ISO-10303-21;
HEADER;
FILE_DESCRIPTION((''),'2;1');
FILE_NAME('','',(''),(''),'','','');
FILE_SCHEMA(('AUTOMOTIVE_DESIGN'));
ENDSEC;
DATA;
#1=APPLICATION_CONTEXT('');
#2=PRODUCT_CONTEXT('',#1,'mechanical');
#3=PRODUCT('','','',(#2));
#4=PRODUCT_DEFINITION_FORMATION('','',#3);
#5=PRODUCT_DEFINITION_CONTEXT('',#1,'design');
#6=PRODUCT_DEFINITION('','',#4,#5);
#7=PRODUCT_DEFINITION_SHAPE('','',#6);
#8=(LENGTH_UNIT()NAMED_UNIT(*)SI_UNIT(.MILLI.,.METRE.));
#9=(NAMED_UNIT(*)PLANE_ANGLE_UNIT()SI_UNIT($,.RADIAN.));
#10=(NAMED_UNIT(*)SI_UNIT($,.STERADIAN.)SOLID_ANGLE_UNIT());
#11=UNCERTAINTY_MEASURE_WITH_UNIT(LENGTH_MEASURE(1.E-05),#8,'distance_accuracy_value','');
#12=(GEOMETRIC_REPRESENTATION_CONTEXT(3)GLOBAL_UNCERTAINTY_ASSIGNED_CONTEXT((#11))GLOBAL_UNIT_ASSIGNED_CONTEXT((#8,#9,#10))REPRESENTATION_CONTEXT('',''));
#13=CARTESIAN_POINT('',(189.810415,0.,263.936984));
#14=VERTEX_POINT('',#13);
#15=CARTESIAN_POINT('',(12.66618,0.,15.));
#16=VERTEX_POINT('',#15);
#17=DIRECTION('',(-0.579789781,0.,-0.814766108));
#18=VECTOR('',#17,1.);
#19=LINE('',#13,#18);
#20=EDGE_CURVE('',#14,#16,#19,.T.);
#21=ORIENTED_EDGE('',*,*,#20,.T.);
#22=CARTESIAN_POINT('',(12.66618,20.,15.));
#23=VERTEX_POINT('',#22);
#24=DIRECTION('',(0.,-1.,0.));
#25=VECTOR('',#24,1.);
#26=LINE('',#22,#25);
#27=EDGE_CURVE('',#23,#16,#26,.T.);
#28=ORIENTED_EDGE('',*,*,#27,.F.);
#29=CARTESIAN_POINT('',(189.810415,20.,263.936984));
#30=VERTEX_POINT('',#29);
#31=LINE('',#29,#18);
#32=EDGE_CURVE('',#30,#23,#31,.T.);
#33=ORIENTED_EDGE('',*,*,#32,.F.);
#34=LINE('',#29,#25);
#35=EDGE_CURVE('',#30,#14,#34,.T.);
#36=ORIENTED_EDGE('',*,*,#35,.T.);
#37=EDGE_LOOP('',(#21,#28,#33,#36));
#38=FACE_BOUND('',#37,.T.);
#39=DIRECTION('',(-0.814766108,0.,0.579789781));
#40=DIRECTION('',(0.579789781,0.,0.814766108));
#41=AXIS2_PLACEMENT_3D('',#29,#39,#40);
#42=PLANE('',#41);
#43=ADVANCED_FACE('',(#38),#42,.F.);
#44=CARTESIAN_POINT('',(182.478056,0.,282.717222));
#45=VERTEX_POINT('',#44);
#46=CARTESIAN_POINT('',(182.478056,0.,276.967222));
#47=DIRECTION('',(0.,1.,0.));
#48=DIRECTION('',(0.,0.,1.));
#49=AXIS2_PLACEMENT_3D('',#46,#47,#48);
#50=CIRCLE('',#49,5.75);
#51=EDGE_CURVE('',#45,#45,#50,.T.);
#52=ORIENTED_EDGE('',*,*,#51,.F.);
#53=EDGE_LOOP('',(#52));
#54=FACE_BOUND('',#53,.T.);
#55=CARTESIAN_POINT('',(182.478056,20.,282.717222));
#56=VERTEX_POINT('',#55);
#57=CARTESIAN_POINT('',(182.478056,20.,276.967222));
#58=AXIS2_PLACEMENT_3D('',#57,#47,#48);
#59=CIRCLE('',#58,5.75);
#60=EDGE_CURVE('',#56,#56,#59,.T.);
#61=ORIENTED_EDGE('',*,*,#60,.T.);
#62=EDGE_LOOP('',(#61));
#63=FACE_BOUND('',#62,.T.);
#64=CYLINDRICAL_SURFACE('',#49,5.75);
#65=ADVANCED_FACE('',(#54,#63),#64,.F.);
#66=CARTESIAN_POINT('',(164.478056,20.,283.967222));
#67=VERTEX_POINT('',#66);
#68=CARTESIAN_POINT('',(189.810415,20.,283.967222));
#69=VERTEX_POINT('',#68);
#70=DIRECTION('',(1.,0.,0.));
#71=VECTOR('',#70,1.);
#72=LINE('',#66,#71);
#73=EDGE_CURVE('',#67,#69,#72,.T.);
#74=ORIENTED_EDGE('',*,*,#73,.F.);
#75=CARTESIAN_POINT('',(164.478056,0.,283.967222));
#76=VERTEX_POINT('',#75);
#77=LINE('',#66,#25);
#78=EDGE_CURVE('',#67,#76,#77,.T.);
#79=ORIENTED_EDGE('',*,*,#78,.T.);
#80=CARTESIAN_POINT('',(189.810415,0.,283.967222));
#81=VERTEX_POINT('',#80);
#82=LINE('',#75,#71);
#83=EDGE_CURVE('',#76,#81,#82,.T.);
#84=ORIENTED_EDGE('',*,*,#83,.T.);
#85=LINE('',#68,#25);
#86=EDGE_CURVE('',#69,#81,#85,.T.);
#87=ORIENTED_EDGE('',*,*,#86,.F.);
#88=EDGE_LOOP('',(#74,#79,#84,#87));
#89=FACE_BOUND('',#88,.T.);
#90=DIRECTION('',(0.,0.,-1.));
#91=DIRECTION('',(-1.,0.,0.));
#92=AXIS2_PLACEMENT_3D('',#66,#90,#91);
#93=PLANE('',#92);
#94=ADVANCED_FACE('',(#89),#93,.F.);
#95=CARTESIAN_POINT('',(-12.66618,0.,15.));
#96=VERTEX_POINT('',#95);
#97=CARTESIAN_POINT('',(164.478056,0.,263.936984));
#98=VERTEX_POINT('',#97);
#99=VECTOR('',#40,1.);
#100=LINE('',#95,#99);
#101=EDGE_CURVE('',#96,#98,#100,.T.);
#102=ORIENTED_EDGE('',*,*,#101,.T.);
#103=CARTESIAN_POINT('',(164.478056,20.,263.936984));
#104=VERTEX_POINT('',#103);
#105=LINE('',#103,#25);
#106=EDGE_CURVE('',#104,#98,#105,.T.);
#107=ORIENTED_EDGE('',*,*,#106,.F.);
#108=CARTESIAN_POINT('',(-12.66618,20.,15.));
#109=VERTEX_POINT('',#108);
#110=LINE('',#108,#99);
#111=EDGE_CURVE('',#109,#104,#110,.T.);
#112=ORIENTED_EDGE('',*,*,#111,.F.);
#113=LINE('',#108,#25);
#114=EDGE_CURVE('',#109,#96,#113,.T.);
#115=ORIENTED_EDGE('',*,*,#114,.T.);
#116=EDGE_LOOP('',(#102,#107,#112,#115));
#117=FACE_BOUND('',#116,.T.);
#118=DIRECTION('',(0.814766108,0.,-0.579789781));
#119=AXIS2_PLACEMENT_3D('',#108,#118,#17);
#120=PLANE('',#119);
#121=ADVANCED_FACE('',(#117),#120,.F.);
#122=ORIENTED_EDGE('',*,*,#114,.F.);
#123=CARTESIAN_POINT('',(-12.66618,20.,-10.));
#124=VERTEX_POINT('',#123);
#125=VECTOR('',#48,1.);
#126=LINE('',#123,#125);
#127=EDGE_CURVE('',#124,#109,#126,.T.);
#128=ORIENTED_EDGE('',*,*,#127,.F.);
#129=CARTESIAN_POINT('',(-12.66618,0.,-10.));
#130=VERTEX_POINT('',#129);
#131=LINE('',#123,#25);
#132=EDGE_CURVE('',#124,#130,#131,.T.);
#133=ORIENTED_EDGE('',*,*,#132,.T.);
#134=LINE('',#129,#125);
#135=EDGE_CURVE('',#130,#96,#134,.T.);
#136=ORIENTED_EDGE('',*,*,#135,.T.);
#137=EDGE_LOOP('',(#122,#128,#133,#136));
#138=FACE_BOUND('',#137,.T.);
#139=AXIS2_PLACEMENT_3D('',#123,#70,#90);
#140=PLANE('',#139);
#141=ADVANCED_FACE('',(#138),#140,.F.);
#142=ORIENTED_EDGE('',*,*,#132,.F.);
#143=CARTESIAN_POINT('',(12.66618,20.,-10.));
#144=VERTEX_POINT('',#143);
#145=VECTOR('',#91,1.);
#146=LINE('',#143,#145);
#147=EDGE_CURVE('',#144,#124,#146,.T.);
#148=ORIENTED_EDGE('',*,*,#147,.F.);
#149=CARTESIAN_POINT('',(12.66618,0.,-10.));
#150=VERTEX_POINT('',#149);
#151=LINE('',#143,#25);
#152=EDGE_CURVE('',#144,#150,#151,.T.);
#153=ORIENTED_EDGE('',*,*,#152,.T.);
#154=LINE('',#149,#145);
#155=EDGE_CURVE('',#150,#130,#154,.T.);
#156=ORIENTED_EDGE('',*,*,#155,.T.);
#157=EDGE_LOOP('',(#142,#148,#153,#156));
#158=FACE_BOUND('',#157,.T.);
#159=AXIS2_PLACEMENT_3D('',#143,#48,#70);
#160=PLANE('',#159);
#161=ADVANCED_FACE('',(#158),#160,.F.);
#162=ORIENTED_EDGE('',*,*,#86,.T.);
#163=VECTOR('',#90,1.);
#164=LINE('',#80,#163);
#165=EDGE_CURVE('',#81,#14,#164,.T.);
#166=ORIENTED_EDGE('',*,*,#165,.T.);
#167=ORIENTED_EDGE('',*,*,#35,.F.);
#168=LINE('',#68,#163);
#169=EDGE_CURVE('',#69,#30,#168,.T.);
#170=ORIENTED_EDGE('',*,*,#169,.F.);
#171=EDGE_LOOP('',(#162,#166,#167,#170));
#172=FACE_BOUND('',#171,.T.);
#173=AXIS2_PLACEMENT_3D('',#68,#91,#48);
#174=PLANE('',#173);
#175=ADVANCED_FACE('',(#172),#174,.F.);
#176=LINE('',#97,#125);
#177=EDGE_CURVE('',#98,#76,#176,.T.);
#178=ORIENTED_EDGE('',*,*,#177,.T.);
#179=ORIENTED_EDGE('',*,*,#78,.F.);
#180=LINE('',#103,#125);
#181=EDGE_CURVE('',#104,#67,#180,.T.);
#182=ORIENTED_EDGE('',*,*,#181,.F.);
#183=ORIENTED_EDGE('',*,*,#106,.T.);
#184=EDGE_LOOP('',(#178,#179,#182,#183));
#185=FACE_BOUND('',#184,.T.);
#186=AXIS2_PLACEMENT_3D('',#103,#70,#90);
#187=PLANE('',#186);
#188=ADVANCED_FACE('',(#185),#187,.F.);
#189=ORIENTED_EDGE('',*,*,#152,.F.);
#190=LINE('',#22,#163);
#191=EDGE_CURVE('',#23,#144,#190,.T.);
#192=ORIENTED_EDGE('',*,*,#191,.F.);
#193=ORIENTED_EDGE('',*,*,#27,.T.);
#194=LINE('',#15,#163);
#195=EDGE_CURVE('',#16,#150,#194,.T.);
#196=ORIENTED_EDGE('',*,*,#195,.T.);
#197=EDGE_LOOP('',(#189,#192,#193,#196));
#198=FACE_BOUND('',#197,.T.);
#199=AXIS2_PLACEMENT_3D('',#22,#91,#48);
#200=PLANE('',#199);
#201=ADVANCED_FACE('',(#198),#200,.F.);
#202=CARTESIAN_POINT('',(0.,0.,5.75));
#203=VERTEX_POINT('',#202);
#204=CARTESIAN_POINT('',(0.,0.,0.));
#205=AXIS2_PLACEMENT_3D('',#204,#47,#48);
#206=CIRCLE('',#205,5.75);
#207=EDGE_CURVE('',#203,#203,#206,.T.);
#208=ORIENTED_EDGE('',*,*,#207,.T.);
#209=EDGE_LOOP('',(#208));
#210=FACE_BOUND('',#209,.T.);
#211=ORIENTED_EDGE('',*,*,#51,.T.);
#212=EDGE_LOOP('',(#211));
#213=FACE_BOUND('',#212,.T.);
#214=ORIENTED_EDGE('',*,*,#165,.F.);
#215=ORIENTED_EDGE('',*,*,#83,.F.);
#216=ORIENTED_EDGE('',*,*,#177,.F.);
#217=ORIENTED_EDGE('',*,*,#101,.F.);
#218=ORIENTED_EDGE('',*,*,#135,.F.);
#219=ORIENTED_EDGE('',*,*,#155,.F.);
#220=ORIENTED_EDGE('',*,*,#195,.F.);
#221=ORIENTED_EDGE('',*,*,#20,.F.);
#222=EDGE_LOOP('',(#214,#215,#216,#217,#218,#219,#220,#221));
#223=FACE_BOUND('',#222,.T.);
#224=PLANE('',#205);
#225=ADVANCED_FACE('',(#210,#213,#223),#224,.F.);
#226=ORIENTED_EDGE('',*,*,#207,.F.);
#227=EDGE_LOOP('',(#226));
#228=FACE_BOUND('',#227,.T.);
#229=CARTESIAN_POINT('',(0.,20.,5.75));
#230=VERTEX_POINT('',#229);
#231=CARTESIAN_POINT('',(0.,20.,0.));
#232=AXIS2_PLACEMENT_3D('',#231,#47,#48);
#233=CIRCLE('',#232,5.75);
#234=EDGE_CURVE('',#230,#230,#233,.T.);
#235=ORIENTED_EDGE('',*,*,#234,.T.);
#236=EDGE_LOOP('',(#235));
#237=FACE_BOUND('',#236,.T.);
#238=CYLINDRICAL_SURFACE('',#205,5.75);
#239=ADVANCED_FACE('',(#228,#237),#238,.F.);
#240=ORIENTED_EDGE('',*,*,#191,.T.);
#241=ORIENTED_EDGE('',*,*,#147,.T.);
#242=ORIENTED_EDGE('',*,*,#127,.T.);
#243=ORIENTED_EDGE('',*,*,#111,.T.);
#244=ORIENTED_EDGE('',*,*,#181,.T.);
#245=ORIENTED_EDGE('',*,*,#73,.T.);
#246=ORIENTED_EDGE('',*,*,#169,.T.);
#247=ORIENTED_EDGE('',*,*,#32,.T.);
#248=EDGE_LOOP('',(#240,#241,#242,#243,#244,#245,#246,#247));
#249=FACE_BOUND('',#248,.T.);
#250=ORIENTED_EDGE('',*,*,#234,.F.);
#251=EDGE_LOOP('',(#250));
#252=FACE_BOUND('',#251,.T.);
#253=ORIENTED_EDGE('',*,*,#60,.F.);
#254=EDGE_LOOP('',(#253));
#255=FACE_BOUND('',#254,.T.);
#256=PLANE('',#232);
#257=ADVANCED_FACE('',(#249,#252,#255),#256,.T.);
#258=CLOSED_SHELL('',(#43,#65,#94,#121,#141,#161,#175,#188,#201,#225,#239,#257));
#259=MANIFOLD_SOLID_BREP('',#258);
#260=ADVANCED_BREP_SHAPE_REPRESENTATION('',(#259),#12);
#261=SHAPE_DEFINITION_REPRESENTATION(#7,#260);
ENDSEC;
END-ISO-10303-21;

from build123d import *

# Parameters (mm, degrees)
BOSS_EXTRUDE2_DEPTH = 20
SKETCH3_R           = 5.75
CUT_EXTRUDE1_DEPTH  = 21


with BuildPart() as part:
    # Sketch2 → Boss-Extrude2 (new body)
    with BuildSketch(Plane(origin=(0, 0, 0), x_dir=(1, 0, 0), z_dir=(0, 1, 0))):
        Polygon((-12.666179626, 10), (-12.666179626, -15), (164.478056179, -263.93698429), (164.478056179, -283.967221838), (189.810415431, -283.967221838), (189.810415431, -263.93698429), (12.666179626, -15), (12.666179626, 10), align=None)
    extrude(amount=BOSS_EXTRUDE2_DEPTH)

    # Sketch3 → Cut-Extrude1 (cut, through all)
    with BuildSketch(Plane(origin=(0, 20, 0), x_dir=(1, 0, 0), z_dir=(0, 1, 0))):
        Circle(SKETCH3_R)
        with Locations((182.478056179, -276.967221838)):
            Circle(SKETCH3_R)
    extrude(amount=-CUT_EXTRUDE1_DEPTH, mode=Mode.SUBTRACT)


solid = part.part
